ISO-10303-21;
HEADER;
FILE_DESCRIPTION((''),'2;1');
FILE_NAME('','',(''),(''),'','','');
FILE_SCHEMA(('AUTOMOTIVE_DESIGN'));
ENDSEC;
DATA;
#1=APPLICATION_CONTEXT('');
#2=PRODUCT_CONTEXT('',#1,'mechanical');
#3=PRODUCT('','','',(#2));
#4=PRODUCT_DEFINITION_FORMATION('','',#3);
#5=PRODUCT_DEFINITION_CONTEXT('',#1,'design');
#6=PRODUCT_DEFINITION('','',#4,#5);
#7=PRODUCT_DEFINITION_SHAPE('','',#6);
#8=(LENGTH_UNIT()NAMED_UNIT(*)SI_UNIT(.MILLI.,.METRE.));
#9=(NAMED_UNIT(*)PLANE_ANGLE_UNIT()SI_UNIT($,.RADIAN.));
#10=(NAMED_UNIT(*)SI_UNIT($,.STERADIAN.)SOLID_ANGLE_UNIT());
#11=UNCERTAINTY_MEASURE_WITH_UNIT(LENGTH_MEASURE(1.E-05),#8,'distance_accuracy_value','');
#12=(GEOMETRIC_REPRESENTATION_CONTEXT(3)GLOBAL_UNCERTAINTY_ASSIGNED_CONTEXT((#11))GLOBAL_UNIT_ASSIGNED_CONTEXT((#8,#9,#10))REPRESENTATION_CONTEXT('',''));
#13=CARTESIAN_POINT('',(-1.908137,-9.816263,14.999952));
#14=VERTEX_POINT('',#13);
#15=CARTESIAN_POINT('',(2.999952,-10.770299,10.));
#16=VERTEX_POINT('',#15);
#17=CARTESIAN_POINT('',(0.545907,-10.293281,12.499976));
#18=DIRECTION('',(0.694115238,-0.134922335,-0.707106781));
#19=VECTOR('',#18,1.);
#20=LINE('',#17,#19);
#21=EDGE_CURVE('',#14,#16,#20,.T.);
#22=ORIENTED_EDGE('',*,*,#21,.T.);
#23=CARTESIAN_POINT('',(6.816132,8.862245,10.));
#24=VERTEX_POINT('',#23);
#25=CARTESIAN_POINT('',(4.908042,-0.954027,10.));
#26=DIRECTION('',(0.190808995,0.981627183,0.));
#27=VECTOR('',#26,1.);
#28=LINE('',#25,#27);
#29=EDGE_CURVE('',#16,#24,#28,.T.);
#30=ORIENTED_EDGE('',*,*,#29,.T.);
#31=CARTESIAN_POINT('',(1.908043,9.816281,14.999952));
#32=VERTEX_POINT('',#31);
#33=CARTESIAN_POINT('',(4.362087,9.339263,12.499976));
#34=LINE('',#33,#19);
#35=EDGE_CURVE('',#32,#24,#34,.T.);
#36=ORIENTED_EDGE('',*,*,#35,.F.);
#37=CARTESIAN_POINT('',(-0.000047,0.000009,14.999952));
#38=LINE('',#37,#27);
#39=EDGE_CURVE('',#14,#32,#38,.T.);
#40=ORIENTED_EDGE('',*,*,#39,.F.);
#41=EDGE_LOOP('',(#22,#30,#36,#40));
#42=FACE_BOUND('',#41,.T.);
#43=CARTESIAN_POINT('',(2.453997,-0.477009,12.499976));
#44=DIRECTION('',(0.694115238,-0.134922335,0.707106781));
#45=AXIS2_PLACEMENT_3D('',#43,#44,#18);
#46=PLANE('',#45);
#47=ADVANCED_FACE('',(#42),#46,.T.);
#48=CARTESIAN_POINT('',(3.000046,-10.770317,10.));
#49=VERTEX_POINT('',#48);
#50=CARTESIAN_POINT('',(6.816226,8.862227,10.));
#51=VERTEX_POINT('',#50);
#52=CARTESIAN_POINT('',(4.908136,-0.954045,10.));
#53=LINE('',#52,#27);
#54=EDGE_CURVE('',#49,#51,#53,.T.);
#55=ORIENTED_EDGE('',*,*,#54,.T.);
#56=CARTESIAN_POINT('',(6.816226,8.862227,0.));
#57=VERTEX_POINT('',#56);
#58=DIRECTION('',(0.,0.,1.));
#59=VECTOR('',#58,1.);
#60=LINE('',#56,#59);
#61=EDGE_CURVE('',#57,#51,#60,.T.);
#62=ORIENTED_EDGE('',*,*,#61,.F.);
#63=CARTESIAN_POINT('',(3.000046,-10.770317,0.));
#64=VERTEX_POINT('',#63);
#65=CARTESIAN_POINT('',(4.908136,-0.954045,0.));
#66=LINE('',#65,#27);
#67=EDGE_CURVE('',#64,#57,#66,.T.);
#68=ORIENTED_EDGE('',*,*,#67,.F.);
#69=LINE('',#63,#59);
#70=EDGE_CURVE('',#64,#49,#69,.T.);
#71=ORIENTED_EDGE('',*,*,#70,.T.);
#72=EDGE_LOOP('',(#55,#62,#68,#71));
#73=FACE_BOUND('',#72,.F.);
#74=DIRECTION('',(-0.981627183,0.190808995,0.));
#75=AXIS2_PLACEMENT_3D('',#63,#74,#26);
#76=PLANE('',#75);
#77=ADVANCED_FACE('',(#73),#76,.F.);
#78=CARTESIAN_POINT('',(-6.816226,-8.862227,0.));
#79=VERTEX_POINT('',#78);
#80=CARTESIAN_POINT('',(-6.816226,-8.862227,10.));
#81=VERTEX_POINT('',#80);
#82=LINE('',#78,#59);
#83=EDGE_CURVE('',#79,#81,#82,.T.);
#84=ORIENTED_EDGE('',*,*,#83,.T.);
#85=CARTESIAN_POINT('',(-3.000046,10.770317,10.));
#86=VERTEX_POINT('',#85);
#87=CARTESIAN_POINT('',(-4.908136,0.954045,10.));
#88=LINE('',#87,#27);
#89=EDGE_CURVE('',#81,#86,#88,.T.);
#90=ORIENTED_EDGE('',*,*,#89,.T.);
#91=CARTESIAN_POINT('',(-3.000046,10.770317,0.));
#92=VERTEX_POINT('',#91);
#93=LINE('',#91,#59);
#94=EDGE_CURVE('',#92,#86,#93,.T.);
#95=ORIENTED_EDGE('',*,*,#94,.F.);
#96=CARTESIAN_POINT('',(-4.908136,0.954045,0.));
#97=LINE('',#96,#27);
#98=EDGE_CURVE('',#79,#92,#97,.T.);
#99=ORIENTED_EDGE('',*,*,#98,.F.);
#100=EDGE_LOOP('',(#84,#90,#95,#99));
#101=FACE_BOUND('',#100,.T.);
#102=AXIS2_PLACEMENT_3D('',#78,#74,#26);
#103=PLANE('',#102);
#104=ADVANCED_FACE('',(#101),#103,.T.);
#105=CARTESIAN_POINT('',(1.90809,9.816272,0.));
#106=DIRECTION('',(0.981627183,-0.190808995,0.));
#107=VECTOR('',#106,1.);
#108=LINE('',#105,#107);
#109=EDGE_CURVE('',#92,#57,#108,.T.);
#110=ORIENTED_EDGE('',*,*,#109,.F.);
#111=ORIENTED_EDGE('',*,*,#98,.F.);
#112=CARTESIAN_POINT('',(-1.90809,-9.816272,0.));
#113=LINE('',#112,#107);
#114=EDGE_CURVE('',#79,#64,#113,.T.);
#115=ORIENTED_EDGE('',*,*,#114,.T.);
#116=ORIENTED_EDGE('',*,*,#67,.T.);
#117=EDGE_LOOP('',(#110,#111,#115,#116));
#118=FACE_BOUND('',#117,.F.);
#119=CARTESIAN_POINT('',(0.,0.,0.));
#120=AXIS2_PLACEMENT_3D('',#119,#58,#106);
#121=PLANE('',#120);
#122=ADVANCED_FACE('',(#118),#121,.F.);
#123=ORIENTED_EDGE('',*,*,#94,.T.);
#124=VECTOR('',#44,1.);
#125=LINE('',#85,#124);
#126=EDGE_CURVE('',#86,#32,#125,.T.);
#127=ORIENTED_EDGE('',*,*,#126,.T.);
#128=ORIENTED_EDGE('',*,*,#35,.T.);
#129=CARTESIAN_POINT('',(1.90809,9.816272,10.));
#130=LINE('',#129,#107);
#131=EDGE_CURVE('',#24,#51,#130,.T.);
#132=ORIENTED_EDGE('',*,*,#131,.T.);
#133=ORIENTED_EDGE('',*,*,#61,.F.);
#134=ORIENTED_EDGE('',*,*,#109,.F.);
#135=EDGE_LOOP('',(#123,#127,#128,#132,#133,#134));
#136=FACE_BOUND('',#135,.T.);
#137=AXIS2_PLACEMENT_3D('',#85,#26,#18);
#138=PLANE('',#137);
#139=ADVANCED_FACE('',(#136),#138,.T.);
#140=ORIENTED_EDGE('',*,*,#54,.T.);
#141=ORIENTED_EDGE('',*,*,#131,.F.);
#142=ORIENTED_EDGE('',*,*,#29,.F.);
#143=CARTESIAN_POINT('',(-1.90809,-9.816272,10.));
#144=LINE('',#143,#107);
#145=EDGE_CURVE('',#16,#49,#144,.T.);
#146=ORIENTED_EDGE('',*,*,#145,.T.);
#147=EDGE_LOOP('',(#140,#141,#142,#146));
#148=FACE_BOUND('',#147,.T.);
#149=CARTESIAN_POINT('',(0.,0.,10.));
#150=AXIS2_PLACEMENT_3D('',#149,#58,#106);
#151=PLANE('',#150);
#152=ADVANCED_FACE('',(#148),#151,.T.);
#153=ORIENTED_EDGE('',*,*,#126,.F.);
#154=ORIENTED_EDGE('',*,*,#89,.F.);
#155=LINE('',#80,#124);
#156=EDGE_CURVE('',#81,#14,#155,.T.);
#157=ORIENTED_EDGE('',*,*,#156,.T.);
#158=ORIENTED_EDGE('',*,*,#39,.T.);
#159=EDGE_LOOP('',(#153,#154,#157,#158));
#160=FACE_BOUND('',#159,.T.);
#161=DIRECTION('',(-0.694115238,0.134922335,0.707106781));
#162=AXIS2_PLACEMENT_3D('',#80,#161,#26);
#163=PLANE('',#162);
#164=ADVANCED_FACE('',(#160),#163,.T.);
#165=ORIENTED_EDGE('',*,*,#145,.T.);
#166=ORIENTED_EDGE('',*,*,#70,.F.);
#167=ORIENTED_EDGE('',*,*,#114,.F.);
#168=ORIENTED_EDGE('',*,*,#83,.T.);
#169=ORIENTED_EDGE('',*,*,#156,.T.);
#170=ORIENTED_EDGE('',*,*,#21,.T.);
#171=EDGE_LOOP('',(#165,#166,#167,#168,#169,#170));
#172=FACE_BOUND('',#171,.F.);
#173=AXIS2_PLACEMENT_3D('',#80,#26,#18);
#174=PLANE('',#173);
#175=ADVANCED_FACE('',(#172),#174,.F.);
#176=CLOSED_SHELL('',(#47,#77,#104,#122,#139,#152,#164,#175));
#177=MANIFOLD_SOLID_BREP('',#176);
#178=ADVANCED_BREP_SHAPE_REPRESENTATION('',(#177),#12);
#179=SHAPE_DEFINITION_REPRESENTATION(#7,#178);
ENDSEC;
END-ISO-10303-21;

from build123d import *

# Parameters (mm, degrees)
BOX_W                  = 7.071
BOX_H                  = 20
BOX_DEPTH              = 7.071
BOX_PITCH_ANGLE        = 45
BOX_PLACEMENT_ANGLE    = -11
BOX001_W               = 10
BOX001_H               = 20
BOX001_DEPTH           = 10
BOX001_PLACEMENT_ANGLE = 349


with BuildPart() as cub:
    # Box → Box (new body)
    with BuildSketch(Plane.XY):
        with Locations((3.5355, 10)):
            Rectangle(BOX_W, BOX_H)
    extrude(amount=BOX_DEPTH)


with BuildPart() as cub_1:
    # Box pitch: moved
    add(cub.part.rotate(Axis((0, 0, 0), (0, 1, 0)), BOX_PITCH_ANGLE))


with BuildPart() as cub_2:
    # Box placement: moved
    add(cub_1.part.moved(Location((-6.816226, -8.862227, 10))).rotate(Axis((-6.816226, -8.862227, 10), (0, 0, 1)), BOX_PLACEMENT_ANGLE))


with BuildPart() as fusion:
    # Box001 → Box001 (new body)
    with BuildSketch(Plane.XY):
        with Locations((5, 10)):
            Rectangle(BOX001_W, BOX001_H)
    extrude(amount=BOX001_DEPTH)


with BuildPart() as fusion_1:
    # Box001 placement: moved
    add(fusion.part.moved(Location((-6.816226, -8.862227, 0))).rotate(Axis((-6.816226, -8.862227, 0), (0, 0, 1)), BOX001_PLACEMENT_ANGLE))

    # Fusion: union Cub
    add(cub_2.part)


solid = fusion_1.part
